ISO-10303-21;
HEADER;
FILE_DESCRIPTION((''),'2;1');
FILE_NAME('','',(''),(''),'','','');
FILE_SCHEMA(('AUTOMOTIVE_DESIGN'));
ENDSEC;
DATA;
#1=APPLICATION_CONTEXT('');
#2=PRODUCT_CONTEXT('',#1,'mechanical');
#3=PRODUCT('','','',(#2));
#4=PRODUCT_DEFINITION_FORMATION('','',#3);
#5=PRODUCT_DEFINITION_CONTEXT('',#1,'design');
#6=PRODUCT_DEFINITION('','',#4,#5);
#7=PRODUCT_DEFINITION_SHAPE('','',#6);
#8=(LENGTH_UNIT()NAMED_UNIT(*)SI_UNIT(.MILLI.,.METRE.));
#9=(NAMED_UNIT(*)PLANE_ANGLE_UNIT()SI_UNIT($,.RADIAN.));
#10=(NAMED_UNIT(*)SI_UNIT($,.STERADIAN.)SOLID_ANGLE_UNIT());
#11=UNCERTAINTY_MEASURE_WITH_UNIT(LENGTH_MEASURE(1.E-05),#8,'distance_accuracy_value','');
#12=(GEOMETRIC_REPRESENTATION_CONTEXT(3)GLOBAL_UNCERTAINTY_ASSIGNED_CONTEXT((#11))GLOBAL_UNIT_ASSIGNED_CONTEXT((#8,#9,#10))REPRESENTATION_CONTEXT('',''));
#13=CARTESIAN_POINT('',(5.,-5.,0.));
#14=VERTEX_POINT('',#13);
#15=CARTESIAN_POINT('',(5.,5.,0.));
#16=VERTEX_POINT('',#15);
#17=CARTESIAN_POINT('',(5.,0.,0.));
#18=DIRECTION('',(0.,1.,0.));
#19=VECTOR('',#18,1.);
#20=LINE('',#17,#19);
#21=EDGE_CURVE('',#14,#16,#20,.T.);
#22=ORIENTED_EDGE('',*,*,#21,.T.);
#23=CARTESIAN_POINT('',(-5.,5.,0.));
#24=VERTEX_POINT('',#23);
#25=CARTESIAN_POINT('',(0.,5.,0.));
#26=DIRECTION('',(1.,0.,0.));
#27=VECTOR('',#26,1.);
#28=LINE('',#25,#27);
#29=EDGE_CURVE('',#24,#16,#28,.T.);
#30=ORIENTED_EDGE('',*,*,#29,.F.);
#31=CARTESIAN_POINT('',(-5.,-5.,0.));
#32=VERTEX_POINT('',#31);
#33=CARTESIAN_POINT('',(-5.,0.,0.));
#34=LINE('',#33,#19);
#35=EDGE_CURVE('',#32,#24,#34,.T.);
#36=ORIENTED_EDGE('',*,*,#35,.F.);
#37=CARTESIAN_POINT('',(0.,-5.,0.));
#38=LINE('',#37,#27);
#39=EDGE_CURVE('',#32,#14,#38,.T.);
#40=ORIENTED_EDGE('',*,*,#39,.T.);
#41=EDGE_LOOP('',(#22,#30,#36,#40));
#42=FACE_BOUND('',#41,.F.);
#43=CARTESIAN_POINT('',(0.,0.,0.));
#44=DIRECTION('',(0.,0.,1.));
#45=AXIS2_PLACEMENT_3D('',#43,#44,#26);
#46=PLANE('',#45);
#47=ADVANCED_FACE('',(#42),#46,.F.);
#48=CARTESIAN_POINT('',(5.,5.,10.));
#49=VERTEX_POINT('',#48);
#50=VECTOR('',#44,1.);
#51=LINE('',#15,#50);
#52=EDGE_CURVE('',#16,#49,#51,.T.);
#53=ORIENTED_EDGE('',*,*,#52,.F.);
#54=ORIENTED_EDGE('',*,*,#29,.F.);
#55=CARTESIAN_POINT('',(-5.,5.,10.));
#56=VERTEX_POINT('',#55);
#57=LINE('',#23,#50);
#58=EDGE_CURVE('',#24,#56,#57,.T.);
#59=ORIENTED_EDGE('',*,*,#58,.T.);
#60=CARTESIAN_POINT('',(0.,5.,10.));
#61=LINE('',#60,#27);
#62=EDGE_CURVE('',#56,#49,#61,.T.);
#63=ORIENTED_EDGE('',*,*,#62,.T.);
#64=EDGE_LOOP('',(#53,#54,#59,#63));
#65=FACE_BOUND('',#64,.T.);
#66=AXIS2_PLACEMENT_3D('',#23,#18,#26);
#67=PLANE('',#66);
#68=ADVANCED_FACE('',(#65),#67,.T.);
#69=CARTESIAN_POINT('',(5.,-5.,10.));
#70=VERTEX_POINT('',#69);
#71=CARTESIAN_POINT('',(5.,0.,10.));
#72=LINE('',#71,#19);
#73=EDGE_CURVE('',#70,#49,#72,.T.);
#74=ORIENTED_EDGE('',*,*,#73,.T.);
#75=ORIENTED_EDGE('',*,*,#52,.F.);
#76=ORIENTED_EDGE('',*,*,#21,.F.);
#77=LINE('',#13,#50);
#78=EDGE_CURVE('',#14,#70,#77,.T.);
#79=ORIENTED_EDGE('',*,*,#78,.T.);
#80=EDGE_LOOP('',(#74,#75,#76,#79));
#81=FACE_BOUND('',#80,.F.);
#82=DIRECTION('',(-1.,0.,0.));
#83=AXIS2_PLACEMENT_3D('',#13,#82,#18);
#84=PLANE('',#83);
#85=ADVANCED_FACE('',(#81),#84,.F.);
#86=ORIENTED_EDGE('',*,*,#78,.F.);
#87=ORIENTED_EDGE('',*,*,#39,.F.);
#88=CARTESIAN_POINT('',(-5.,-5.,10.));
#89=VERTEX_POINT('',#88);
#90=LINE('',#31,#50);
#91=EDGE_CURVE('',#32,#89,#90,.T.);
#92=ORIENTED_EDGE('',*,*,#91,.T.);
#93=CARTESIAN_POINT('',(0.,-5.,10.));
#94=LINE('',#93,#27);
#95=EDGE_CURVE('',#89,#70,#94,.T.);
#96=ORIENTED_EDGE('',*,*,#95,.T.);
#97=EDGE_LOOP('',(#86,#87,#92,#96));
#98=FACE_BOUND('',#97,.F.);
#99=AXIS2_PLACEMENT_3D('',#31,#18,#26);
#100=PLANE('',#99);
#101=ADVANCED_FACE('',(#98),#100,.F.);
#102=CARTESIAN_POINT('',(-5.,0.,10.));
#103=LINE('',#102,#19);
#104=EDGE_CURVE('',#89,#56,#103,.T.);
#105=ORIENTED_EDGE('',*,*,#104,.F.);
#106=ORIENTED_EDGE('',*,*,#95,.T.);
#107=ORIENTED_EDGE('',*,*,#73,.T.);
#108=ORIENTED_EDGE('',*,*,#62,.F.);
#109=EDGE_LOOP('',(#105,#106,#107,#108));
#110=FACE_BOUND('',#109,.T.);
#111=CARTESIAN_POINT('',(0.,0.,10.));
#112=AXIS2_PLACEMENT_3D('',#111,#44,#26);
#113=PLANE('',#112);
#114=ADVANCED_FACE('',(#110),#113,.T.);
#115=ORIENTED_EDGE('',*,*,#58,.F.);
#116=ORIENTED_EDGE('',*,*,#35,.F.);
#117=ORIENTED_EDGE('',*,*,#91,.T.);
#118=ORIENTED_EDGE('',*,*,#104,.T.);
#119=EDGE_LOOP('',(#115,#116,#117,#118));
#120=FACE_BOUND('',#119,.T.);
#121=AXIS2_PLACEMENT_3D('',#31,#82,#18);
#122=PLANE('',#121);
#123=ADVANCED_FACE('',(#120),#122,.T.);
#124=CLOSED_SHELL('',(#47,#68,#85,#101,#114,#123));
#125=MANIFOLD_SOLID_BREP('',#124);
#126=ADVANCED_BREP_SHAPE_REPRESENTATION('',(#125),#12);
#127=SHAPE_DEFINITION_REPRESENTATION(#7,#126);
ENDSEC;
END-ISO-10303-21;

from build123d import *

# Parameters (mm, degrees)
ESBO_O1_W                = 10
ESBO_O1_H                = 10
RESSALTO_EXTRUS_O1_DEPTH = 10


with BuildPart() as part:
    # Esboço1 → Ressalto-extrusão1 (new body)
    with BuildSketch(Plane.XY):
        Rectangle(ESBO_O1_W, ESBO_O1_H)
    extrude(amount=RESSALTO_EXTRUS_O1_DEPTH)


solid = part.part
